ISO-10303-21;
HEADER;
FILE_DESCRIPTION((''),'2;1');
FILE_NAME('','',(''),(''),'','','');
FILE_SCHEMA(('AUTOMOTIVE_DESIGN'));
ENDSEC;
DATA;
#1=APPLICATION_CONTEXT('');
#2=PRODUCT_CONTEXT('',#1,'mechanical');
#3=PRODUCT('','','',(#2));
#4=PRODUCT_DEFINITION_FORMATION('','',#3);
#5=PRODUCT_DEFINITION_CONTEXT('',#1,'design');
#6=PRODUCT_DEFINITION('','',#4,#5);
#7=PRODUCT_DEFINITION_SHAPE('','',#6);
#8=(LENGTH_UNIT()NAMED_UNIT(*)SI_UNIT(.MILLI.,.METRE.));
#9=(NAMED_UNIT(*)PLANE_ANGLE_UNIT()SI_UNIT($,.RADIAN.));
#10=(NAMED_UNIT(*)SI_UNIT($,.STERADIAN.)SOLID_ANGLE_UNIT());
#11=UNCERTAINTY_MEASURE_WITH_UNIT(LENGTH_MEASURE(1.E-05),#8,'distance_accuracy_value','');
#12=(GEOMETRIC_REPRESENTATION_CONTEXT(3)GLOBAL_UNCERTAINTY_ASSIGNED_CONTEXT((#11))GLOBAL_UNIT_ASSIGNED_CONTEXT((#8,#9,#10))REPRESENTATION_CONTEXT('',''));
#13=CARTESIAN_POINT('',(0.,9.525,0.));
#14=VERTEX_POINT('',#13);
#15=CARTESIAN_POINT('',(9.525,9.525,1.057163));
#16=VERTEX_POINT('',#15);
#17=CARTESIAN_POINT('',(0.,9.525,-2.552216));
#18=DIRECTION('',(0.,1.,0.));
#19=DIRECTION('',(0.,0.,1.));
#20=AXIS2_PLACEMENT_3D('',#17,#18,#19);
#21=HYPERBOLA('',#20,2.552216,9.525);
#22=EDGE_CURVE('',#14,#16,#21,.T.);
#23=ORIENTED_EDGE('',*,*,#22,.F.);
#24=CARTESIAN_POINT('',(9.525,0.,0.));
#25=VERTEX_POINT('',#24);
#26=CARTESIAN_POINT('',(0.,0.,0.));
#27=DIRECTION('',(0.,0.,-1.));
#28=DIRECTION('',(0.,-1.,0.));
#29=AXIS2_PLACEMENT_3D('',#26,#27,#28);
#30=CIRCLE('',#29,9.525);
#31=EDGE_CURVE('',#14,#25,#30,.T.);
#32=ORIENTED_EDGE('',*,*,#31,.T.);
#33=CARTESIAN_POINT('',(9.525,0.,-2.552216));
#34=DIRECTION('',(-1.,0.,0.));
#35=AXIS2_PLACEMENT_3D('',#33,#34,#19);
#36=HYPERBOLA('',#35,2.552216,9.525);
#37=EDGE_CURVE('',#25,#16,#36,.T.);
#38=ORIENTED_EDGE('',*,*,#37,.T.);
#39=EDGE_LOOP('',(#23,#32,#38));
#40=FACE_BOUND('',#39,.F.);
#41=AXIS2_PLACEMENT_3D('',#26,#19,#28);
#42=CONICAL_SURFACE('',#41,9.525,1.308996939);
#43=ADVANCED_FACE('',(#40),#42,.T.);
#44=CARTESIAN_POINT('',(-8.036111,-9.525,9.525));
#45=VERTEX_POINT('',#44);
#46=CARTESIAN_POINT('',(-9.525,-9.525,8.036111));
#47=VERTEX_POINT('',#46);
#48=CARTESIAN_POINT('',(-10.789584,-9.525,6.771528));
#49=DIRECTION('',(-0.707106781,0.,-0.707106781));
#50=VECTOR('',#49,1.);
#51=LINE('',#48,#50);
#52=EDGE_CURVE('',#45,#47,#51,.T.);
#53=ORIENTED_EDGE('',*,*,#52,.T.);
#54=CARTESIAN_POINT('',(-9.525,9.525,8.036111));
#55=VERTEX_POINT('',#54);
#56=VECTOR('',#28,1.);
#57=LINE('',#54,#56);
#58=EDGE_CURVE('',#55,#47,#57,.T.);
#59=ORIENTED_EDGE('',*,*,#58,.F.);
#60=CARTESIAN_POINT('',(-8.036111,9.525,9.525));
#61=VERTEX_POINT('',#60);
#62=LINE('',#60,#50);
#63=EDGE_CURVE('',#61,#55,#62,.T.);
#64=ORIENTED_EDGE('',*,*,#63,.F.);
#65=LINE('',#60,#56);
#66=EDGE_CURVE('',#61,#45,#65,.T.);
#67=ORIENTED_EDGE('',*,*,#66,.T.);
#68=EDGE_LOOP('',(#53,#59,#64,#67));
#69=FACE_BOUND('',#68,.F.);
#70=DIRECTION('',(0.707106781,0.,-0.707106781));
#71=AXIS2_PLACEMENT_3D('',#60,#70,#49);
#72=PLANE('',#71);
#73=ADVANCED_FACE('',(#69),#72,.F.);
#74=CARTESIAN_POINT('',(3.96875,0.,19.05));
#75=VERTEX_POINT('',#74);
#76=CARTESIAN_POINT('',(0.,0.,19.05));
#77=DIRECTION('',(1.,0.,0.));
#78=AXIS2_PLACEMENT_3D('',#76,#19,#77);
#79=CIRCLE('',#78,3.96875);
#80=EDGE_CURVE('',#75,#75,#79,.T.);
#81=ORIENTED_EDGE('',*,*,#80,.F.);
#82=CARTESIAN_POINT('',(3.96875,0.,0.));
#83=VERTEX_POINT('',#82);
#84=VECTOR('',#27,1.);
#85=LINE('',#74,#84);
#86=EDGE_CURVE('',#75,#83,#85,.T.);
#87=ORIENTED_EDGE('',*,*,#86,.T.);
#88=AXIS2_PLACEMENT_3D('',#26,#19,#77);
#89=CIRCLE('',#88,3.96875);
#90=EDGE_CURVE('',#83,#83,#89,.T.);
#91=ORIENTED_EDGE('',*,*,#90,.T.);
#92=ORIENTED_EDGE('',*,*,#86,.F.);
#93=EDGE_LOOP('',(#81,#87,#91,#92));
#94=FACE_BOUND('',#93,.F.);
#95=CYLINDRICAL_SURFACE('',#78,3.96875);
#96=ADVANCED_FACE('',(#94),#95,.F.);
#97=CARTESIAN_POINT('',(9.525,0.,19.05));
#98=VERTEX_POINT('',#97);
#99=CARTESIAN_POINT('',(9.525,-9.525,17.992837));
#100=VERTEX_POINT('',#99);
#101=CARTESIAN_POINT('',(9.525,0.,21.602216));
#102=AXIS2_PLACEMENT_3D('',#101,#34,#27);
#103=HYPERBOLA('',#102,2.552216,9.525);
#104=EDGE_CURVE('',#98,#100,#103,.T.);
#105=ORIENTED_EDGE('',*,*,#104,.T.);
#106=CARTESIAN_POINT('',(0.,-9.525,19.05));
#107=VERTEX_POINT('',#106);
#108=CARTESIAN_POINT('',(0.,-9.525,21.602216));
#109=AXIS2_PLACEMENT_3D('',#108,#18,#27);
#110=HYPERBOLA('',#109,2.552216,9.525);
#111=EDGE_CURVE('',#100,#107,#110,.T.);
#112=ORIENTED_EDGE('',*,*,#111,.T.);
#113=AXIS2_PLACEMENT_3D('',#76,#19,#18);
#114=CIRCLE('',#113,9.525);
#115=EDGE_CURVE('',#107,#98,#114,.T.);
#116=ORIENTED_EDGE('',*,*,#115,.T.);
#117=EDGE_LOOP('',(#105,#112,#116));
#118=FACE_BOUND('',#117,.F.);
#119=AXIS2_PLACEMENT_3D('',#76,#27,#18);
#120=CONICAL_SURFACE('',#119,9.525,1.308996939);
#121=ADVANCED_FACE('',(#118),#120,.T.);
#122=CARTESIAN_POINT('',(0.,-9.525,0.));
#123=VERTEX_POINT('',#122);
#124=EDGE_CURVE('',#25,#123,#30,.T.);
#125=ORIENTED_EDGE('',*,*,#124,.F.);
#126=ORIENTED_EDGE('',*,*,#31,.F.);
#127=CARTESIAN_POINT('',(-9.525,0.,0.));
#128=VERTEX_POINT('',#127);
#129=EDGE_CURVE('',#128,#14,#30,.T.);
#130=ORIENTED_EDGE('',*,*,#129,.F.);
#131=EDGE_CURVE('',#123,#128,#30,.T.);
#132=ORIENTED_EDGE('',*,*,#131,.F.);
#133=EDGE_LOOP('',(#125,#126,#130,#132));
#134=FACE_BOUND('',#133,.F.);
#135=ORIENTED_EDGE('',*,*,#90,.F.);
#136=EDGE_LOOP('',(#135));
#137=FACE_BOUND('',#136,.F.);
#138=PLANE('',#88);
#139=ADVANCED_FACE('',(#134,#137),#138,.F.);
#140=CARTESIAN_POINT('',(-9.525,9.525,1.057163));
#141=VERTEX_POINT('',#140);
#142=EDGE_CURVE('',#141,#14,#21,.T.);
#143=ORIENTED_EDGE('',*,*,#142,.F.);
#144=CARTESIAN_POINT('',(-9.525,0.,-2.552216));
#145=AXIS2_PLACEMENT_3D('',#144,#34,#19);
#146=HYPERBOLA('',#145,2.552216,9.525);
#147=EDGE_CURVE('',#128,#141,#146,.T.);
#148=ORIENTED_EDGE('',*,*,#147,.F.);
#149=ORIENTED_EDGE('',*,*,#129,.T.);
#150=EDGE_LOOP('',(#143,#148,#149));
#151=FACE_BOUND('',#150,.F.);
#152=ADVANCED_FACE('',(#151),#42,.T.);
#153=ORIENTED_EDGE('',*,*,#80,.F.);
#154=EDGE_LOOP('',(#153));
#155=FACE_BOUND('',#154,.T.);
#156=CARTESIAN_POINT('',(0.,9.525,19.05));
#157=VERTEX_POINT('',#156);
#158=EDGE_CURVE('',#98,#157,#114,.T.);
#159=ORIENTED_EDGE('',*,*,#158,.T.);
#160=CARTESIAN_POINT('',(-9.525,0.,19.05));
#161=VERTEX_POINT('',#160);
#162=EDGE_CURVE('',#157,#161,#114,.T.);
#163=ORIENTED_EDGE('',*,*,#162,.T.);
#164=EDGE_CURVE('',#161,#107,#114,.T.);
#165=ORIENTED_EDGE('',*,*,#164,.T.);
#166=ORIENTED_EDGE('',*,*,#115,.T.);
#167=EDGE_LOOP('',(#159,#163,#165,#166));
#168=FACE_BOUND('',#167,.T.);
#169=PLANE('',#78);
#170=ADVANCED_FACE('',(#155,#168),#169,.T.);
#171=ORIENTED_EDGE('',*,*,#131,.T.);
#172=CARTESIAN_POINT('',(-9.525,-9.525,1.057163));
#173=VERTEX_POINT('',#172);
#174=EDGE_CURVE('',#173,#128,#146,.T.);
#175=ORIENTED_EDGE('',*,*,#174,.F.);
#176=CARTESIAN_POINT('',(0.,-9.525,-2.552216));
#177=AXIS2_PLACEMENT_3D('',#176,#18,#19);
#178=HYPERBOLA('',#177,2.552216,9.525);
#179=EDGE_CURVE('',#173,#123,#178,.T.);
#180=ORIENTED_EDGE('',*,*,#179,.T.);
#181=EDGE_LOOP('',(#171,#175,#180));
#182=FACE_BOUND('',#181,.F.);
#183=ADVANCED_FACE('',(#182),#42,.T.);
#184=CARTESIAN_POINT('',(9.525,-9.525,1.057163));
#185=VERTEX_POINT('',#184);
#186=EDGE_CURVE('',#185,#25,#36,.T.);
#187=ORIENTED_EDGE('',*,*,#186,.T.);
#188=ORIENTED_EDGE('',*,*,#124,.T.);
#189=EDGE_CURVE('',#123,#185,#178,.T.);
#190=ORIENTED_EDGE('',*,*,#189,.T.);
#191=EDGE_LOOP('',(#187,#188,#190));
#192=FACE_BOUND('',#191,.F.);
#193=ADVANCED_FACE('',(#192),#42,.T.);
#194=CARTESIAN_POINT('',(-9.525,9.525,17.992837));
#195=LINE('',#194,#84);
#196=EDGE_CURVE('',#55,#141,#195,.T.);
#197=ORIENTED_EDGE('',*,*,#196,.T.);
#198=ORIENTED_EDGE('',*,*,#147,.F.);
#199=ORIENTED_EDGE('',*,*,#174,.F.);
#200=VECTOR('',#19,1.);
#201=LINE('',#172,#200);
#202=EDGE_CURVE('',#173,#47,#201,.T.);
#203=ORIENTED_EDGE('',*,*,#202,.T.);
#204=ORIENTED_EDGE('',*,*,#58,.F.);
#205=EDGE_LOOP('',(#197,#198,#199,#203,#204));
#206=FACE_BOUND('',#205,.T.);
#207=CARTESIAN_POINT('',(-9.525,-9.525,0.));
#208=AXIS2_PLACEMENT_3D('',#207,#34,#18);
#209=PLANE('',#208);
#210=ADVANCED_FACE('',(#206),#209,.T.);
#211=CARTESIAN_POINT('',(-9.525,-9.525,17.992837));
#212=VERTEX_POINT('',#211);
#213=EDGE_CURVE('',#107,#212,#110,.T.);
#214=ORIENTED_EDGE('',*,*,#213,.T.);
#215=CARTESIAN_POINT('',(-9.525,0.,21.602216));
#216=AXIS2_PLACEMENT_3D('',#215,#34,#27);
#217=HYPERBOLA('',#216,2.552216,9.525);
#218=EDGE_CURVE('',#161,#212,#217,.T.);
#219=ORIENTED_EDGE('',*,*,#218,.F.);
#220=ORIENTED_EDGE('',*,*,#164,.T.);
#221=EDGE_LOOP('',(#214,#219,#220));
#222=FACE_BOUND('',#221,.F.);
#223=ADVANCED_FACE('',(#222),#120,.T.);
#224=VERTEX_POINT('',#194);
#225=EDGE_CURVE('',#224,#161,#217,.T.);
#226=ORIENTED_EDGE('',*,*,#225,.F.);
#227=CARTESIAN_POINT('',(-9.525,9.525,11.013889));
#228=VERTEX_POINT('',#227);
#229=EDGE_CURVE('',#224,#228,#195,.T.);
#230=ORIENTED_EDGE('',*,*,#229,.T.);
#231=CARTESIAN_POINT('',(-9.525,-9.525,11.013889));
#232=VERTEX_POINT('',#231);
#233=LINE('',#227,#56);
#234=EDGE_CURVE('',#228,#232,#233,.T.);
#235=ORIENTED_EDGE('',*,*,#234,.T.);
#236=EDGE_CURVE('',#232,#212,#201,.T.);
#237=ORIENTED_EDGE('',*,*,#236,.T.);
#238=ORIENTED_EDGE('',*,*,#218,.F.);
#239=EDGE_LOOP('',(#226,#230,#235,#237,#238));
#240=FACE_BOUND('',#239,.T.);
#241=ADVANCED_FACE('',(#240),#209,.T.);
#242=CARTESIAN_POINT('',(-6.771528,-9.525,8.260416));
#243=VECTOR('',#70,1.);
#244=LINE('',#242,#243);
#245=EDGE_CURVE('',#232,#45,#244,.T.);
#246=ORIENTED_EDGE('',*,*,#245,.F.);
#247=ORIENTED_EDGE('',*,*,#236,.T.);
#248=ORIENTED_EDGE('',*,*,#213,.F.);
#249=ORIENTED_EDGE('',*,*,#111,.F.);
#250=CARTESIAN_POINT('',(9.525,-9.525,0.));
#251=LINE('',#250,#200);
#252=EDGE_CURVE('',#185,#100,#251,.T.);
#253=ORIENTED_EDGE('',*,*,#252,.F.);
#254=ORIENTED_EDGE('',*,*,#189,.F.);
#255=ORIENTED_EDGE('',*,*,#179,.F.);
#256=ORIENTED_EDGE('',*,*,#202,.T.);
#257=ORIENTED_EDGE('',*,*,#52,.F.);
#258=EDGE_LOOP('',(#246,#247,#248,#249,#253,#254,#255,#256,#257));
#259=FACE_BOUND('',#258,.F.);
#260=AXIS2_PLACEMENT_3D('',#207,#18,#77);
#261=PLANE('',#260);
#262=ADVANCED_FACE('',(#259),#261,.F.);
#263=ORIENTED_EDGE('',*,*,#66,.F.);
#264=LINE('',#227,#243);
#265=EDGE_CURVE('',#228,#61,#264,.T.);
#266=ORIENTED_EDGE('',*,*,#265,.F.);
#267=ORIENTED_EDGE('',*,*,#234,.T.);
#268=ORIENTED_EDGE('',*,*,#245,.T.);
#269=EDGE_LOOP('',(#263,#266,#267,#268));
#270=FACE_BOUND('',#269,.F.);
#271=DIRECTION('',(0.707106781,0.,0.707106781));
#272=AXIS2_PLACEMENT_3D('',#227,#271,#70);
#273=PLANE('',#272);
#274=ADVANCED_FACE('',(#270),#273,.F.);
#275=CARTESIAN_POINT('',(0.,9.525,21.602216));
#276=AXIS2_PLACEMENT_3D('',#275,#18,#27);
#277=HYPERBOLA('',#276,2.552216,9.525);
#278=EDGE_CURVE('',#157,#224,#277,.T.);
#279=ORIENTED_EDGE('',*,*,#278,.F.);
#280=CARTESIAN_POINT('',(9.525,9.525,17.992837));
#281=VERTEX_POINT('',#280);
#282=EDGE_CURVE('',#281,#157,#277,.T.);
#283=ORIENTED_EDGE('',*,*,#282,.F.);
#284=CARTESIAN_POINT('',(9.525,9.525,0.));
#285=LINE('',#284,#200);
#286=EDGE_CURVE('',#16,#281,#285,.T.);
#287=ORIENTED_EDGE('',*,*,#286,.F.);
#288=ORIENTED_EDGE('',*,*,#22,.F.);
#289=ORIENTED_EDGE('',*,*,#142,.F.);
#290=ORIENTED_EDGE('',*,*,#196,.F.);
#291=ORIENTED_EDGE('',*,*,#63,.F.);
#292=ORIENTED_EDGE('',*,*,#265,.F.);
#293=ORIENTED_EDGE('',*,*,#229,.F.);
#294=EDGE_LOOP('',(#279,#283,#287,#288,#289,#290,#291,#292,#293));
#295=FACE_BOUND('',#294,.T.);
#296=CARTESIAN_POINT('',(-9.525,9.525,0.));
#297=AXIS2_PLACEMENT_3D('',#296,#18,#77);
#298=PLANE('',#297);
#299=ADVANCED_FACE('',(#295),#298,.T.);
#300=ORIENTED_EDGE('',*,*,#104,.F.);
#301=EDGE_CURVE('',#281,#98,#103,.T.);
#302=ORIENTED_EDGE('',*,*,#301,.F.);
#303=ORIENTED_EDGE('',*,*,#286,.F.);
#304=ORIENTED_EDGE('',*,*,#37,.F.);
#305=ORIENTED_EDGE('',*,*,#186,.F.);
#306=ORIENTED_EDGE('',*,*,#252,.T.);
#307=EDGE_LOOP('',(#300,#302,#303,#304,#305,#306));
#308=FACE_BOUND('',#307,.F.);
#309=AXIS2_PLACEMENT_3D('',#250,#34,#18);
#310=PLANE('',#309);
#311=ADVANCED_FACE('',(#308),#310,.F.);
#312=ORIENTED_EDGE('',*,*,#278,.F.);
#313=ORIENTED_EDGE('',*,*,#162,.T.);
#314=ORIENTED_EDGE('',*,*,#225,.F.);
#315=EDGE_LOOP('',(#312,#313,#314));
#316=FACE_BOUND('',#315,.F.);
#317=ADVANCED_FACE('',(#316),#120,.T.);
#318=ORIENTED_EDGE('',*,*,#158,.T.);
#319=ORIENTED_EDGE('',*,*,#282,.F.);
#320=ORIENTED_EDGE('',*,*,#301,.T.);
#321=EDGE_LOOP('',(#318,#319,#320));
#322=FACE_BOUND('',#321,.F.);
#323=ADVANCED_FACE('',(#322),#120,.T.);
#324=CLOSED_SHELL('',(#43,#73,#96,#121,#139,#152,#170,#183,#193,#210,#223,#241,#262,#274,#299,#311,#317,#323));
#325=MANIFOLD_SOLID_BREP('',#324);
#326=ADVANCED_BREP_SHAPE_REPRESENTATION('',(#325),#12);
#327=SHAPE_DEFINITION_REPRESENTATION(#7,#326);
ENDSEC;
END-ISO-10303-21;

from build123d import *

# Parameters (mm, degrees)
F0_W      = 19.05
F0_H      = 19.05
F1_DEPTH  = 19.05
F2_R      = 3.96875
F3_DEPTH  = 19.051
F10_DEPTH = 12.7
F12_DEPTH = 25.4


with BuildPart() as f1:
    # F0 (on Top) → F1 (new body)
    with BuildSketch(Plane.XY):
        Rectangle(F0_W, F0_H)
    extrude(amount=F1_DEPTH)

    # F2 (on face) → F3 (cut, through all)
    with BuildSketch(Plane.XY.offset(19.05)):
        Circle(F2_R)
    extrude(amount=-F3_DEPTH, mode=Mode.SUBTRACT)

    # F4 (on Right) → F5 (revolve, cut)
    with BuildSketch(Plane.YZ):
        Polygon((24.765, 19.05), (9.525, 19.05), (24.765, 14.9664543073), align=None)
    revolve(axis=Axis((0, 0, 19.05), (0, 0, 1)), mode=Mode.SUBTRACT)

    # F7 (on Right) → F8 (revolve, cut)
    with BuildSketch(Plane.YZ):
        Polygon((-22.8305501432, 0), (-9.525, 0), (-22.8305501432, 3.5652114157), align=None)
    revolve(axis=Axis((0, 0, 0), (0, 0, -1)), mode=Mode.SUBTRACT)

    # F9 (on Front) → F10 (cut, symmetric)
    with BuildSketch(Plane.XZ):
        Polygon((-9.525, 8.7912914261), (-9.525, 9.525), (-10.3787914261, 7.9375), align=None)
    extrude(amount=F10_DEPTH, both=True, mode=Mode.SUBTRACT)

    # F11 (on face) → F12 (cut)
    with BuildSketch(Plane(origin=(0, 9.525, 0), x_dir=(-1, 0, 0), z_dir=(0, 1, 0))):
        Polygon((9.525, 8.0361114815), (9.525, 9.525), (8.0361114815, 9.525), align=None)
        Polygon((8.0361114815, 9.525), (9.525, 9.525), (9.525, 11.0138885185), align=None)
    extrude(amount=-F12_DEPTH, mode=Mode.SUBTRACT)


solid = f1.part
